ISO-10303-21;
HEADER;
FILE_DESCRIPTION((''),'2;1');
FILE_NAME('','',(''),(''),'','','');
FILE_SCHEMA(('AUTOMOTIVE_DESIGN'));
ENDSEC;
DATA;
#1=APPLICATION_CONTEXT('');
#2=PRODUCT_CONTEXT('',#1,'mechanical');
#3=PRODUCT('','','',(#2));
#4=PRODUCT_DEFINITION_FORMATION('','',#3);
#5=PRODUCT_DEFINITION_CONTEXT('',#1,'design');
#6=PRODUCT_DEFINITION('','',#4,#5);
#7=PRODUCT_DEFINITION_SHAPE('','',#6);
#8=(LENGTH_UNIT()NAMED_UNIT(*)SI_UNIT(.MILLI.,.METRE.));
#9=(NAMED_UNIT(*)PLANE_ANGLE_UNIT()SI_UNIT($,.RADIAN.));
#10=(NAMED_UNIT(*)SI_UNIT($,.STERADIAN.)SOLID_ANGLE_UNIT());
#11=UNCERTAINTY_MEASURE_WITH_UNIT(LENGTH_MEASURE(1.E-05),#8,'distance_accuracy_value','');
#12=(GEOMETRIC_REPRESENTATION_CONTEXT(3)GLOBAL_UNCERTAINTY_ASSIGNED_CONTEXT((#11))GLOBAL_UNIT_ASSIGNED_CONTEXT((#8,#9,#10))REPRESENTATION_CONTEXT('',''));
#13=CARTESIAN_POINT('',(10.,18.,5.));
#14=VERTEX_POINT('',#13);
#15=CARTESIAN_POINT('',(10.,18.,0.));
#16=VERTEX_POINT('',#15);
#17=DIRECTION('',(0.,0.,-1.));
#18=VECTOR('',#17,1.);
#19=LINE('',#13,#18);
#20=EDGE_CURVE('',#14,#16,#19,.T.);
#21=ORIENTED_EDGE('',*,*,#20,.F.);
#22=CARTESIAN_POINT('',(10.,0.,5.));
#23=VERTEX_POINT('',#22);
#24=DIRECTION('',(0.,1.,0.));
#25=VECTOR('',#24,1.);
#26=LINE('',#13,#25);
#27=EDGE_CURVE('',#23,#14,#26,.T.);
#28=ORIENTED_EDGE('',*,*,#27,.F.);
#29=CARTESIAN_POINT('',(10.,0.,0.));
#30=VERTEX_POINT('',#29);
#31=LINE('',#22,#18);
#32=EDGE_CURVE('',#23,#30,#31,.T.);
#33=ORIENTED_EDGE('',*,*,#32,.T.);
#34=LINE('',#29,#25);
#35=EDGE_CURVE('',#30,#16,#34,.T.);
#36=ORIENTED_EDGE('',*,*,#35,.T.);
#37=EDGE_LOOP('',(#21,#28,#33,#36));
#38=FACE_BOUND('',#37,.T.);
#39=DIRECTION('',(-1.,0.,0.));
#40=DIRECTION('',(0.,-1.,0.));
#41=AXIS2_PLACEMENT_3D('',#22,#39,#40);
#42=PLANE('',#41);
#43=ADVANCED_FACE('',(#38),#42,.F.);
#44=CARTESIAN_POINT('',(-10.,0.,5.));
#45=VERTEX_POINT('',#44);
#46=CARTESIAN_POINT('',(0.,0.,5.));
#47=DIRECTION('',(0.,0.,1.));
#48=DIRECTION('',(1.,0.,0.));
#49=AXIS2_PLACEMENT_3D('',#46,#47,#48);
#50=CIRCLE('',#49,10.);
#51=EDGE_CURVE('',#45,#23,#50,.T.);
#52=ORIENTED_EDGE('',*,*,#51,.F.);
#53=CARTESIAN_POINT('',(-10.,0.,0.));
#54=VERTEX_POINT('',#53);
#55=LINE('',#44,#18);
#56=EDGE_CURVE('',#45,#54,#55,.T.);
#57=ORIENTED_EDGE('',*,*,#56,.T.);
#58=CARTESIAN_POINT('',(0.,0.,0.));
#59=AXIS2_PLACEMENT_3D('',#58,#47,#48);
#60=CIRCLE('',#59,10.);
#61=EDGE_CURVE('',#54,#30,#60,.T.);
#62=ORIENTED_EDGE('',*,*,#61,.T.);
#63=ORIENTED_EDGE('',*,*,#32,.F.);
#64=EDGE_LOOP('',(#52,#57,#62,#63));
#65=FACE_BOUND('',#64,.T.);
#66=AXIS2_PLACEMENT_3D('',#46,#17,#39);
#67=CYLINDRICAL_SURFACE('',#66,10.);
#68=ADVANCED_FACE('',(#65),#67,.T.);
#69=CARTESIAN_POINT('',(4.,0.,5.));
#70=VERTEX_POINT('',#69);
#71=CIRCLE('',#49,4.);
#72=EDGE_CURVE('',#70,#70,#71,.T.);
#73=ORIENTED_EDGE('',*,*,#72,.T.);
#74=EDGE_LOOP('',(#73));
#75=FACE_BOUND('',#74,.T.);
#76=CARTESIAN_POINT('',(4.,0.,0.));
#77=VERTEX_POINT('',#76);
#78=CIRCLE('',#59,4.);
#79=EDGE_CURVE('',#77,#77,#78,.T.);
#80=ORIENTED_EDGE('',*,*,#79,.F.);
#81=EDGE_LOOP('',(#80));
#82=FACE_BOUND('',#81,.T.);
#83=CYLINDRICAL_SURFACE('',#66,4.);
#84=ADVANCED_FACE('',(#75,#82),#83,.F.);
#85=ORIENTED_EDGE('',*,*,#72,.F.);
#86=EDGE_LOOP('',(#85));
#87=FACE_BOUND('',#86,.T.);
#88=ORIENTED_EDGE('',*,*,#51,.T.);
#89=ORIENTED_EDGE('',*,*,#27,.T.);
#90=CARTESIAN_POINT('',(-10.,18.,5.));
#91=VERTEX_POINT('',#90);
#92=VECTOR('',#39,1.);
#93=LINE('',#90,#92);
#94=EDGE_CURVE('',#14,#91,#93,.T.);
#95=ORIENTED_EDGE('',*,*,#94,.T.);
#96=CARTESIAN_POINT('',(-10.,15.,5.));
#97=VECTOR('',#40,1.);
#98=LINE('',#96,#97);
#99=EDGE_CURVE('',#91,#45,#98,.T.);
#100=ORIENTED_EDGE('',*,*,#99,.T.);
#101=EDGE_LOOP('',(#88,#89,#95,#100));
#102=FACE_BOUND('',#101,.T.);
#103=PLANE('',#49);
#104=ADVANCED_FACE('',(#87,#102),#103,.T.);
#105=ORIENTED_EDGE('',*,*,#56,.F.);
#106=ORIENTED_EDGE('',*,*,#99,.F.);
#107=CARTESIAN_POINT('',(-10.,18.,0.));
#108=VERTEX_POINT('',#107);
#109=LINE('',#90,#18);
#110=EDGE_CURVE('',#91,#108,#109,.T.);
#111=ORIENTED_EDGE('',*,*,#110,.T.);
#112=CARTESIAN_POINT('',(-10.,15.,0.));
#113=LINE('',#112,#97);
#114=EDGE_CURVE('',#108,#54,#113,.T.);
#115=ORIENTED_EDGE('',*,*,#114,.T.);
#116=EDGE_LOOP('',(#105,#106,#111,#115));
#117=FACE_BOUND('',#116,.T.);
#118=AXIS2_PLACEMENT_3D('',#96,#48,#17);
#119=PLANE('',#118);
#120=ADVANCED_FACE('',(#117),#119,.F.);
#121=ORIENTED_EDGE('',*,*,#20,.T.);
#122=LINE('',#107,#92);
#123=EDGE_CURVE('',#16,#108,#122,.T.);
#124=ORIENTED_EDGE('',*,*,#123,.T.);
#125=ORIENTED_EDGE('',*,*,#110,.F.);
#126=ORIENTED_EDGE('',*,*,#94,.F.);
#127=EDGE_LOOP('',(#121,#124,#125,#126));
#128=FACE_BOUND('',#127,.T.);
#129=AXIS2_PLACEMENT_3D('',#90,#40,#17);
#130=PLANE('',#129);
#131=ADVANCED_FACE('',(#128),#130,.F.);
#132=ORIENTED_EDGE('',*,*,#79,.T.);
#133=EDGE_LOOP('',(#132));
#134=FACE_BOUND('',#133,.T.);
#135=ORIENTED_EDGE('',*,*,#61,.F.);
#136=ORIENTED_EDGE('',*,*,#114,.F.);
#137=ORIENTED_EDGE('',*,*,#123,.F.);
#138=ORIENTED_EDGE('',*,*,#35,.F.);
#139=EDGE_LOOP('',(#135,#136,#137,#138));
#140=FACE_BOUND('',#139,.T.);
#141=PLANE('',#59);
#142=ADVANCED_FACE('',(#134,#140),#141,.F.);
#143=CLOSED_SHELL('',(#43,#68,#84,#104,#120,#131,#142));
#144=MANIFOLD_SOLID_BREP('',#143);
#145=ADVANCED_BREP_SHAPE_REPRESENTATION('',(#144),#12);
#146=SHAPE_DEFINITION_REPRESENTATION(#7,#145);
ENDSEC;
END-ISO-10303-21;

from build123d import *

# Parameters (mm, degrees)
IZIM1_R                     = 4
Y_KSEKLIK_EKSTR_ZYON1_DEPTH = 5


with BuildPart() as part:
    # Çizim1 → Yükseklik-Ekstrüzyon1 (new body)
    with BuildSketch(Plane.XY):
        with BuildLine():
            Line((-10, 15), (-10, 0))
            ThreePointArc((-10, 0), (0, -10), (10, 0))
            Line((10, 0), (10, 15))
            Line((10, 15), (10, 18))
            Line((10, 18), (-10, 18))
            Line((-10, 18), (-10, 15))
        make_face()
        Circle(IZIM1_R, mode=Mode.SUBTRACT)
    extrude(amount=Y_KSEKLIK_EKSTR_ZYON1_DEPTH)


solid = part.part
